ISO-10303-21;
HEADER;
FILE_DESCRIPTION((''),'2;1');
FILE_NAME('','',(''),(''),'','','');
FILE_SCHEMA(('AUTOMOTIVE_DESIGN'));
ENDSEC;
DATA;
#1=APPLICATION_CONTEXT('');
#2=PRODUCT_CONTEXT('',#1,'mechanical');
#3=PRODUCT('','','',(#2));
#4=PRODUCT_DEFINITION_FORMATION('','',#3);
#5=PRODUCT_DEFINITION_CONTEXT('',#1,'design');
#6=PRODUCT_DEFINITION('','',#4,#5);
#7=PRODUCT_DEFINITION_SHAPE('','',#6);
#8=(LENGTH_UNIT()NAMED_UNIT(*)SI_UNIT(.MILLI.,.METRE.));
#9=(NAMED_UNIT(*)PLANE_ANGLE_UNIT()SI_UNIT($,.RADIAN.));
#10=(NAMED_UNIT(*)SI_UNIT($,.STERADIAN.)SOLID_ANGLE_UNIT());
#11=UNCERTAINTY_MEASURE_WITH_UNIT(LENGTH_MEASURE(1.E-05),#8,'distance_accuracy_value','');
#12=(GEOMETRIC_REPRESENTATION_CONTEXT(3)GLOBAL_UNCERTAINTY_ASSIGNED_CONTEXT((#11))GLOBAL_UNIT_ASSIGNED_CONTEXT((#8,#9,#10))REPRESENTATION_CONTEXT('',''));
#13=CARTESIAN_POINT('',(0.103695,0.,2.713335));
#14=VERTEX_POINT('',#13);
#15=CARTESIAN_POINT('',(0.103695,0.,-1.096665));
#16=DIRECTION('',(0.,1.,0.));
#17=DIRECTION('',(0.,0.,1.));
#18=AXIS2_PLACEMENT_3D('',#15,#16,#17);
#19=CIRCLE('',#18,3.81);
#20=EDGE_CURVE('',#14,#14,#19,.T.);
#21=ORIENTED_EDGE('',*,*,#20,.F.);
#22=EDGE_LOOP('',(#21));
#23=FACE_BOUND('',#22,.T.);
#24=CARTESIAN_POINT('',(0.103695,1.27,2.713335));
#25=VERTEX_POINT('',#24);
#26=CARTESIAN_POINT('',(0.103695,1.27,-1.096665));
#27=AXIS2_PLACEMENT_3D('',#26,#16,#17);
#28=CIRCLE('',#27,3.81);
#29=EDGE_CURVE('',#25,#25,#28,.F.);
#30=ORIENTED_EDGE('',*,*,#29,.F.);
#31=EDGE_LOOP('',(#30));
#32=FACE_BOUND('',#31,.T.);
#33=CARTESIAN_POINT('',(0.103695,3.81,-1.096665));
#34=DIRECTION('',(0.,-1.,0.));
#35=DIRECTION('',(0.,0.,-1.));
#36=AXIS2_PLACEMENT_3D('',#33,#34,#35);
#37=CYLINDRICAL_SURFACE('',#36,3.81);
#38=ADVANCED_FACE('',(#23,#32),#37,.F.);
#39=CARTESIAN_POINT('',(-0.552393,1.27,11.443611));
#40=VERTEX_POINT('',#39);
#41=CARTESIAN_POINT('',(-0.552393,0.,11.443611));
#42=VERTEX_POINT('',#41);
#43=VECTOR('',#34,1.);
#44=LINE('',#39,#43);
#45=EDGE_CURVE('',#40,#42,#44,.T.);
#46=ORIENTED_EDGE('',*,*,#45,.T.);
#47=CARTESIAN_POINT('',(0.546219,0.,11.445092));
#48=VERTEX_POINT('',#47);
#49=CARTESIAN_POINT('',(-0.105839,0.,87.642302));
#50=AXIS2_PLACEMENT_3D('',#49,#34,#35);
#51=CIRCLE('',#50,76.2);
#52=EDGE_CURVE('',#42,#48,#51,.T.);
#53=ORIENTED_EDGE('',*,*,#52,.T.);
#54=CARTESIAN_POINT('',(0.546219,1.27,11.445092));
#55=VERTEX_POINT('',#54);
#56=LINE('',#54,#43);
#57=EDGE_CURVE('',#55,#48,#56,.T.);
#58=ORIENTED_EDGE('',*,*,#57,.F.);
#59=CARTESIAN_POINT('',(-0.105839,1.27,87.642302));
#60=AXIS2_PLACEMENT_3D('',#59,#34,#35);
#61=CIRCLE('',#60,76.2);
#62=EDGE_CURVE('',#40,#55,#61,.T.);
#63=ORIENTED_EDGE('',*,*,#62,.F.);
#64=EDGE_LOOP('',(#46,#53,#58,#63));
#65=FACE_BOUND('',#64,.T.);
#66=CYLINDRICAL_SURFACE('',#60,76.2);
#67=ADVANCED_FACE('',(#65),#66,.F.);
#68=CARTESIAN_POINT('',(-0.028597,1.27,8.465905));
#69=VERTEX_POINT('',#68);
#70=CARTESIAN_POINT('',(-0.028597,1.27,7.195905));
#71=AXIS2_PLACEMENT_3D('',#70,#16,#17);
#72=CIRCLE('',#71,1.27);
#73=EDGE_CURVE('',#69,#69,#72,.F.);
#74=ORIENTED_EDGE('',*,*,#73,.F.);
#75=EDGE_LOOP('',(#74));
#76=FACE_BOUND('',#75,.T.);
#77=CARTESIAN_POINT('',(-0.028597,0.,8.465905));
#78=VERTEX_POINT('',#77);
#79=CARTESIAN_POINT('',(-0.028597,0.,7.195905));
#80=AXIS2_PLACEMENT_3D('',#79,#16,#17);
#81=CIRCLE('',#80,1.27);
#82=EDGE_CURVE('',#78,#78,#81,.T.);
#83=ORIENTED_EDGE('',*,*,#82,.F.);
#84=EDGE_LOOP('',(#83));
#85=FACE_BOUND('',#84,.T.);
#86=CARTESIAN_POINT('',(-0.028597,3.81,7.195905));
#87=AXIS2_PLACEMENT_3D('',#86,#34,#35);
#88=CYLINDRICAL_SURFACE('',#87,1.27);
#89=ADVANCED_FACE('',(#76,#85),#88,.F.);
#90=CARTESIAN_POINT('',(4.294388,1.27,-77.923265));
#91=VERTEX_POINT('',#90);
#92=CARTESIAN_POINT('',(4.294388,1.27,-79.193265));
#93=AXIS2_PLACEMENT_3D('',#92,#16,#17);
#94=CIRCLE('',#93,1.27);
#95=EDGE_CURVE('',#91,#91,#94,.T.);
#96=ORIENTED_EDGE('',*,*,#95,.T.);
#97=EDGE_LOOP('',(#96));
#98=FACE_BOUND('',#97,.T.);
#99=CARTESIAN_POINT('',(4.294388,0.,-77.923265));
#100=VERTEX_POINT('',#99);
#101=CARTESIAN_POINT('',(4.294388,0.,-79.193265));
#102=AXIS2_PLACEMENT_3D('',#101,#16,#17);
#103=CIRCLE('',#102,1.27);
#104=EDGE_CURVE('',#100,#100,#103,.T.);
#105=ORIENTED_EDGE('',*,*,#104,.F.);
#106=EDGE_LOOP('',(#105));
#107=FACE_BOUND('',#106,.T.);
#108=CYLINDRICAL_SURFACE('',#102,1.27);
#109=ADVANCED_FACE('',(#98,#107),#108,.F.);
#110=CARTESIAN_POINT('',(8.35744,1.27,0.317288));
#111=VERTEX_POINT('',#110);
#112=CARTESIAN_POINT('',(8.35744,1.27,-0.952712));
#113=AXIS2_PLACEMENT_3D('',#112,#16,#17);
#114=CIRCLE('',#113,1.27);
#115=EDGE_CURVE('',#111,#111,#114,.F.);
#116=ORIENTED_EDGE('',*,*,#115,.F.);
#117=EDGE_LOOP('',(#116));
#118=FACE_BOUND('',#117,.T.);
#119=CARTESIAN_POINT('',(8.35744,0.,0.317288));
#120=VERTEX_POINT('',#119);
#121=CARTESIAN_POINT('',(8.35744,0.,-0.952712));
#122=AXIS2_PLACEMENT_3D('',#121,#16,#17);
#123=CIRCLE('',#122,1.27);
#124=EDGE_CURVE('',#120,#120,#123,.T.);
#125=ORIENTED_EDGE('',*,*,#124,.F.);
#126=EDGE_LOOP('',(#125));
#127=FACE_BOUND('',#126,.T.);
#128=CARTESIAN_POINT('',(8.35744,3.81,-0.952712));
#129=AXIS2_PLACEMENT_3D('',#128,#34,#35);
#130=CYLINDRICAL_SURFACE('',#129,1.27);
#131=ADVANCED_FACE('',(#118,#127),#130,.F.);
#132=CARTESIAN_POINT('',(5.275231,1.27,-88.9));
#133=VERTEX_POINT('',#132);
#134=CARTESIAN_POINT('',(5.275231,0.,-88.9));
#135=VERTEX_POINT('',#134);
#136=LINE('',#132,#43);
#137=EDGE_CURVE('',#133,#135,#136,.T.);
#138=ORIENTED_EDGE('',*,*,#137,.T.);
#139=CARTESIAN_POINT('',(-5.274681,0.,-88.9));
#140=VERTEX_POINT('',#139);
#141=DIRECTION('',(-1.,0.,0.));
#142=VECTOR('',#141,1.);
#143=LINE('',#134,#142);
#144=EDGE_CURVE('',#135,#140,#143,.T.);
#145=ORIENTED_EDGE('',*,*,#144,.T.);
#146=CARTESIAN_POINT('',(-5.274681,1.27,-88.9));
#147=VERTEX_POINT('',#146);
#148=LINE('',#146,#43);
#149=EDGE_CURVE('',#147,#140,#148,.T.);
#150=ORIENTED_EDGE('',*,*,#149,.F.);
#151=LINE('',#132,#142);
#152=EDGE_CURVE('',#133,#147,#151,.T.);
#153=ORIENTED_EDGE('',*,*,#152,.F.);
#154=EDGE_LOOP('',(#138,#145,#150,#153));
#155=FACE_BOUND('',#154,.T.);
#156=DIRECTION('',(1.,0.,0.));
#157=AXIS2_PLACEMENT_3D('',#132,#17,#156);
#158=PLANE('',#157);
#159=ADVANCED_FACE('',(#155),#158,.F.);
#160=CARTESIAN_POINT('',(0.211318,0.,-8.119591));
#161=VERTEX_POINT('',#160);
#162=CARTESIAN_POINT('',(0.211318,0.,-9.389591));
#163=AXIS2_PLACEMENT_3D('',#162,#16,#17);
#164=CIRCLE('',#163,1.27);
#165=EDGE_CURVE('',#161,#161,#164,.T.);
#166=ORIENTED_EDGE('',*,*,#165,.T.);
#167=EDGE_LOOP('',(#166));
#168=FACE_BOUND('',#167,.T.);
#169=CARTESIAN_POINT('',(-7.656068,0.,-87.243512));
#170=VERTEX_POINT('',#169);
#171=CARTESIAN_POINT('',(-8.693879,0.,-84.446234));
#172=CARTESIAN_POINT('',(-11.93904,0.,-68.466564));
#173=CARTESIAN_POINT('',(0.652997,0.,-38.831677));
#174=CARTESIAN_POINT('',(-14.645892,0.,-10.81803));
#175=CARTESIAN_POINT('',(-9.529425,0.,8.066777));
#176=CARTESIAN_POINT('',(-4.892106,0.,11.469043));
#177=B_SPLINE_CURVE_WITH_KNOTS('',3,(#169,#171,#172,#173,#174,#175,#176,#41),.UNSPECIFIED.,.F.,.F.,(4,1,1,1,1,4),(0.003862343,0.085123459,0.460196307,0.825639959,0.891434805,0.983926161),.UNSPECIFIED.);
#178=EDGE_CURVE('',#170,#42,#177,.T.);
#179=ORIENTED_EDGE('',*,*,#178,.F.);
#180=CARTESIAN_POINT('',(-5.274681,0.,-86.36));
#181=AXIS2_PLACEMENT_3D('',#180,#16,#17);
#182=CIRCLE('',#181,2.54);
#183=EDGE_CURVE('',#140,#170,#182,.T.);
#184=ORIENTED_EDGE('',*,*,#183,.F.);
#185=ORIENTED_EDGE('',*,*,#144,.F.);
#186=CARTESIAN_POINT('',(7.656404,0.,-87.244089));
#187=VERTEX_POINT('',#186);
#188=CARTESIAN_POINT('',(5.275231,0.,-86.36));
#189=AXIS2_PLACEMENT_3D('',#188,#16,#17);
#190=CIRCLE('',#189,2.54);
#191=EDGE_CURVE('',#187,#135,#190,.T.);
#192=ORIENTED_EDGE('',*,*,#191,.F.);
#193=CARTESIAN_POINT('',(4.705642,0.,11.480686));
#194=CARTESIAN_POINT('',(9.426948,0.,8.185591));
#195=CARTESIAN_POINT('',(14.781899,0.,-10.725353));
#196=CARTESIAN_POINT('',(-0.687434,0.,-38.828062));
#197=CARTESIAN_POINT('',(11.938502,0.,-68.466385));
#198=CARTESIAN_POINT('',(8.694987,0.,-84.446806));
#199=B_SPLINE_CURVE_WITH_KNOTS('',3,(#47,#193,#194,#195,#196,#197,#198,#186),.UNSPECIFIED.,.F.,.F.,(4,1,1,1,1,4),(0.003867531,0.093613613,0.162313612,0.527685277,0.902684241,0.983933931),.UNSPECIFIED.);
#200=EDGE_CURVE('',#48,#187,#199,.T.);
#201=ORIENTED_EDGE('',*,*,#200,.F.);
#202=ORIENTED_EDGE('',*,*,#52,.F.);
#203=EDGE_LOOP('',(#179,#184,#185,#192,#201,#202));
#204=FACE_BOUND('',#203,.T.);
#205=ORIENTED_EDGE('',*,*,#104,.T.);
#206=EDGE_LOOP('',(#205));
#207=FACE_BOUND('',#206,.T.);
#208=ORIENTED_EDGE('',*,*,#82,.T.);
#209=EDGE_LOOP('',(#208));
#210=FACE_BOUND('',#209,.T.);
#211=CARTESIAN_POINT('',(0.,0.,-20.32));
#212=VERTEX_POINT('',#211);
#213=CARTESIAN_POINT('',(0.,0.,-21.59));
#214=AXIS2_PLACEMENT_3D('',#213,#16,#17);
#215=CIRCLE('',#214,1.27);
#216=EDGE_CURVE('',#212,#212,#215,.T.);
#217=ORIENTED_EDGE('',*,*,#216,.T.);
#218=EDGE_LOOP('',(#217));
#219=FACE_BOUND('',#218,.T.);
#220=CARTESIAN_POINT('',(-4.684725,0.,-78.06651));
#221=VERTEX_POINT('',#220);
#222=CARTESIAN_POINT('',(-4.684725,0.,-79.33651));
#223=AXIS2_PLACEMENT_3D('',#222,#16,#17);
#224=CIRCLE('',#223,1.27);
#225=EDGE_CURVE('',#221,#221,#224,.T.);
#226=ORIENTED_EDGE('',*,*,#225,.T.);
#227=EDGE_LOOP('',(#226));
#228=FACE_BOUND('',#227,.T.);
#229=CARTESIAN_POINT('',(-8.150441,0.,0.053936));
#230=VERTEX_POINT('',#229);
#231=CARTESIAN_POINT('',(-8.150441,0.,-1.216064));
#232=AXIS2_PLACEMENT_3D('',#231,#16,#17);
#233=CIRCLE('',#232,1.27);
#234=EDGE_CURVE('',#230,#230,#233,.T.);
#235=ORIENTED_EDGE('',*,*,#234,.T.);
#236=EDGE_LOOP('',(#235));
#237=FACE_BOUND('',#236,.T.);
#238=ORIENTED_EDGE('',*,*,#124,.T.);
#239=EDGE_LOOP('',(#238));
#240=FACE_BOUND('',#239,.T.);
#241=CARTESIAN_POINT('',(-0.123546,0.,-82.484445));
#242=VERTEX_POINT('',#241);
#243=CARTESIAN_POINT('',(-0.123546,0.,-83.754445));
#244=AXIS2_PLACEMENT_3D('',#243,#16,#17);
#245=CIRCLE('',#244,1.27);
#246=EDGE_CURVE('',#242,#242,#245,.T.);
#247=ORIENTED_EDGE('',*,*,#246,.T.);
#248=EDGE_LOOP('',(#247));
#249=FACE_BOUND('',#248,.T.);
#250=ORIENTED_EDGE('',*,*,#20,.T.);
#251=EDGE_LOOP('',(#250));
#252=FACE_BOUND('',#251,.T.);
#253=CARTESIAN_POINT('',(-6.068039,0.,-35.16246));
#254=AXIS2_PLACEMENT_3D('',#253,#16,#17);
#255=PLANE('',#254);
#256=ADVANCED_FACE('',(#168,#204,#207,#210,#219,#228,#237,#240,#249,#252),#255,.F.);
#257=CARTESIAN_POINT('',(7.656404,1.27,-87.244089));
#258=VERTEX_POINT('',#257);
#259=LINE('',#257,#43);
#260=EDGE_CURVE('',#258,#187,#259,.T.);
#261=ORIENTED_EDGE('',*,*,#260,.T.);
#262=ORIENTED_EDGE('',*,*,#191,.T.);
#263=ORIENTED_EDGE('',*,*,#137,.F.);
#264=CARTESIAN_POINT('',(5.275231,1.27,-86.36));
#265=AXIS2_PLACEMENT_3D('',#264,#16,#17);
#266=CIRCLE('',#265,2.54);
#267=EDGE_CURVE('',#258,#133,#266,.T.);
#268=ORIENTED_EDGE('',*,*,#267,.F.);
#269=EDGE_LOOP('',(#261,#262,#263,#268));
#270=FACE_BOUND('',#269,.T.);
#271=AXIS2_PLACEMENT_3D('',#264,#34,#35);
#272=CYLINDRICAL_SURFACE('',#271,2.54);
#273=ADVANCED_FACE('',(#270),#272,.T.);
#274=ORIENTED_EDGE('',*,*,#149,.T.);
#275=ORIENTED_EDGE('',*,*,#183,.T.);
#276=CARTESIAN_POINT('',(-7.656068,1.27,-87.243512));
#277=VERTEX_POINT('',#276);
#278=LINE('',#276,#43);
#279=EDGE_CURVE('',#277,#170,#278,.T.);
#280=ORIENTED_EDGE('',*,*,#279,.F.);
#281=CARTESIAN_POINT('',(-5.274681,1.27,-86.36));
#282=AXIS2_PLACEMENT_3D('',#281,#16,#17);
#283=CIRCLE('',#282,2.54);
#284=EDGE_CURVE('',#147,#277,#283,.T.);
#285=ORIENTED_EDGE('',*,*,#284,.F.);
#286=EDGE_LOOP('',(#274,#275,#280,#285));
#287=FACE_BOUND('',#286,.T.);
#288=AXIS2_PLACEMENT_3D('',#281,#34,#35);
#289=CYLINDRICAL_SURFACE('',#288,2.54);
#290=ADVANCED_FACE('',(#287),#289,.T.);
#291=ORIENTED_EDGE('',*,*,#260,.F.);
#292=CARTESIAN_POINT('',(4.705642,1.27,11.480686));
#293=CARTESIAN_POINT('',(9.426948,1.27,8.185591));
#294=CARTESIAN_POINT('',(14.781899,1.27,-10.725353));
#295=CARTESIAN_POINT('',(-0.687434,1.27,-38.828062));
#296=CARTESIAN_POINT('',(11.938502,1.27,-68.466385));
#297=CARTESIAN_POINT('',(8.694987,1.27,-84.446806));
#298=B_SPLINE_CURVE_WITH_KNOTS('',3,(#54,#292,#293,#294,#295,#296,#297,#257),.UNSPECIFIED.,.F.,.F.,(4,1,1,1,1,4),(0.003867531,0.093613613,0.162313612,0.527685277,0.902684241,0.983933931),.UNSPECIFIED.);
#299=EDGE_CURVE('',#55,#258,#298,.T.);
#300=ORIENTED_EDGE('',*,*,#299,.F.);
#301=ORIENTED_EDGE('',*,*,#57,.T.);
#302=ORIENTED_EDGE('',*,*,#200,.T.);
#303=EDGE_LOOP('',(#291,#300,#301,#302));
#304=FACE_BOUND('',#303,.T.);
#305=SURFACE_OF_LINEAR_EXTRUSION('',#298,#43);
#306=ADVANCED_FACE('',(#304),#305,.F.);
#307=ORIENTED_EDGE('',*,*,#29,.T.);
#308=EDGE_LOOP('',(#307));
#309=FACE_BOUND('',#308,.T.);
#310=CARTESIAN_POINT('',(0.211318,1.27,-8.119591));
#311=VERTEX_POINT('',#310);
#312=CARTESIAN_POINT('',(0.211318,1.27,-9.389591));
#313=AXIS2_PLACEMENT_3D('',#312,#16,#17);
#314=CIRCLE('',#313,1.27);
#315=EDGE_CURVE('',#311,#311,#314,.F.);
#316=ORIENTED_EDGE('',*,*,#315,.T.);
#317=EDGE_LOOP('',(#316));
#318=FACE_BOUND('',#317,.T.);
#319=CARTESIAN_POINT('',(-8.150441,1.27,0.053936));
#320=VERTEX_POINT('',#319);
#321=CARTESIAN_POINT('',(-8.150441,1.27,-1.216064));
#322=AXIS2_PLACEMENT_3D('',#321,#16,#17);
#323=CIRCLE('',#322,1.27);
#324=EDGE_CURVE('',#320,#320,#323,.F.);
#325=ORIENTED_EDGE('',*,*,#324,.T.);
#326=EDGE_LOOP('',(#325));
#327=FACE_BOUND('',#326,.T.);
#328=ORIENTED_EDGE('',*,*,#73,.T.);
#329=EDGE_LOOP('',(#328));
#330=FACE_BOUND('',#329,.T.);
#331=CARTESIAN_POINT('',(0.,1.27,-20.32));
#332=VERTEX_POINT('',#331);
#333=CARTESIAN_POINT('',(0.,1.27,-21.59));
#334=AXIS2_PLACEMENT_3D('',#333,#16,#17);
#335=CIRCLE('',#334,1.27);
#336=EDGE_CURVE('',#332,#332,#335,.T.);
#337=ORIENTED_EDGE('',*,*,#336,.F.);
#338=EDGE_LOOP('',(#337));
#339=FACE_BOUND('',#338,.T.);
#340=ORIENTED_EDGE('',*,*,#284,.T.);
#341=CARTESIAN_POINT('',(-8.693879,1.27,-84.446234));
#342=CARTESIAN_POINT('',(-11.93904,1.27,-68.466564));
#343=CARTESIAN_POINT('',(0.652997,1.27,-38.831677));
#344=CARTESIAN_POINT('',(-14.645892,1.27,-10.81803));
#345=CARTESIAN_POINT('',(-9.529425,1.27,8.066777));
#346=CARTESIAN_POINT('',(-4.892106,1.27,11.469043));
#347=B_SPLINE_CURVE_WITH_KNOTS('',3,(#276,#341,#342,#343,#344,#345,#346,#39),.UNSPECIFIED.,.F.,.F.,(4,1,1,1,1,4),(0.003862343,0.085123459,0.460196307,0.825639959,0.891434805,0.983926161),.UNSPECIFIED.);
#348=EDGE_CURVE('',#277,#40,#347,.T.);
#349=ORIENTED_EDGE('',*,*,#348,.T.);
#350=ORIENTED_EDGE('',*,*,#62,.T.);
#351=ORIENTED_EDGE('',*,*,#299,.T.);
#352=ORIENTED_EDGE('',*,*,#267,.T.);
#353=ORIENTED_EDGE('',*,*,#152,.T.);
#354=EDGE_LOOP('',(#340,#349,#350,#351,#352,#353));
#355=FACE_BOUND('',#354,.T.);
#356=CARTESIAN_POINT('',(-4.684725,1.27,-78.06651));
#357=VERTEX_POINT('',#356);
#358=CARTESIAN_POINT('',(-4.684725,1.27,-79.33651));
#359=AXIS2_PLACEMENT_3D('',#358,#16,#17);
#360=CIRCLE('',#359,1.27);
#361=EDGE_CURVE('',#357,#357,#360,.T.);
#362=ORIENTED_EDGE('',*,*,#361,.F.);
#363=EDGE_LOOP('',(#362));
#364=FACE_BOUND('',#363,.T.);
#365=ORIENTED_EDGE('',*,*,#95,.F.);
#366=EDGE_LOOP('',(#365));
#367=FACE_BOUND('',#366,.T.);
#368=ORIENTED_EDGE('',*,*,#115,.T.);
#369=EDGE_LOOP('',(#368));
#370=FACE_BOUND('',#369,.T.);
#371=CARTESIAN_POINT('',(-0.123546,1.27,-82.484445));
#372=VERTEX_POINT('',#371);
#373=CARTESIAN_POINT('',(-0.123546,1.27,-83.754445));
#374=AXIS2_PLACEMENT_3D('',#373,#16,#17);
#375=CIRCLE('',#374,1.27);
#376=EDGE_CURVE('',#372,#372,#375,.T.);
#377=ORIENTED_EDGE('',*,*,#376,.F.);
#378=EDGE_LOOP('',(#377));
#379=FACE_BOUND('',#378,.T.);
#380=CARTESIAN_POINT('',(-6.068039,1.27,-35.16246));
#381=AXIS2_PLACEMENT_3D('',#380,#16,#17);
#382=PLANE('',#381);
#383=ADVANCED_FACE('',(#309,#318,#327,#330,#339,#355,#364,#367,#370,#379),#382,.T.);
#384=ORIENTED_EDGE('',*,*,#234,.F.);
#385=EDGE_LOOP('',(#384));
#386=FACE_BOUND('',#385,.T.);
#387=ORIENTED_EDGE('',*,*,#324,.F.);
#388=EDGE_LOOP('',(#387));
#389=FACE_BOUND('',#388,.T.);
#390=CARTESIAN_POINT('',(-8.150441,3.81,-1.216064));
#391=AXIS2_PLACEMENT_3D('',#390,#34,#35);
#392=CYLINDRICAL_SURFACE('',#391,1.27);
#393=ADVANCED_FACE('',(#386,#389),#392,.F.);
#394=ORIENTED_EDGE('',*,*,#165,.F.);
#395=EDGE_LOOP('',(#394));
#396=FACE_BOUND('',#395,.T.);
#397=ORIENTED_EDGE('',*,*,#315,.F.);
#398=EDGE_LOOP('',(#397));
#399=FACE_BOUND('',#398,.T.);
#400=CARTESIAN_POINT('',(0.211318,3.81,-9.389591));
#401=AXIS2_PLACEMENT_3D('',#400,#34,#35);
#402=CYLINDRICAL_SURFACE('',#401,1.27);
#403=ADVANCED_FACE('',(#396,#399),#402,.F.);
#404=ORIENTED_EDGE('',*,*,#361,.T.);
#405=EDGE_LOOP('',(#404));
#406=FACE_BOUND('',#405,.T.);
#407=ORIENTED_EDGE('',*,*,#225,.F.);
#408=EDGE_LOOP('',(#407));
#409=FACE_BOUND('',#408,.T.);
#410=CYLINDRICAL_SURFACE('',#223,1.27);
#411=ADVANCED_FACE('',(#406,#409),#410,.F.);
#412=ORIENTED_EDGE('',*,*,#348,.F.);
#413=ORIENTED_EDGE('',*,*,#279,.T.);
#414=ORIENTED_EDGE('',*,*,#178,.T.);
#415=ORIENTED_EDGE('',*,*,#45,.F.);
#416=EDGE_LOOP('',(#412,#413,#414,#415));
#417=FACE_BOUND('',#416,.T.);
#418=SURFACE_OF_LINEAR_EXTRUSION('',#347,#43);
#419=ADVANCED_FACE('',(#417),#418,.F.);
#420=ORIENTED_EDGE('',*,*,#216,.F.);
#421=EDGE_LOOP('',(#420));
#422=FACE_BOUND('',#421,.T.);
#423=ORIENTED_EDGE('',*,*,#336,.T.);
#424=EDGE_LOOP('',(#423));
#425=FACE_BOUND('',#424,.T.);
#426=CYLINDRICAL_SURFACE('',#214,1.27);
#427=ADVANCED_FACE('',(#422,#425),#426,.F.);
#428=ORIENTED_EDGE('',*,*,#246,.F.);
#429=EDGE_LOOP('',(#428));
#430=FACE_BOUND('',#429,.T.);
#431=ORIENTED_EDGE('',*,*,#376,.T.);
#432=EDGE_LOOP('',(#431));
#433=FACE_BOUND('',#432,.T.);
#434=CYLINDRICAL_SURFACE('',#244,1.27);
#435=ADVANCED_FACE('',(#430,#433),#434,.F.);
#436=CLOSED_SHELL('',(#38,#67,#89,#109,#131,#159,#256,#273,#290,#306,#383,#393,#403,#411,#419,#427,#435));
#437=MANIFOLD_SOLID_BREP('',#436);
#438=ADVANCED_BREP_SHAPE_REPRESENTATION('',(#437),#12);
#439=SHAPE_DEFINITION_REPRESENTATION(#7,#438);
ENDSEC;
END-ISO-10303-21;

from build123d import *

# Parameters (mm, degrees)
BOSS_EXTRUDE2_DEPTH = 1.27
SKETCH2_R           = 1.27
CUT_EXTRUDE1_DEPTH  = 90.688856727
F_3DSKETCH1_R       = 1.27
F_3DSKETCH1_R_2     = 3.81
CUT_EXTRUDE8_DEPTH  = 81.499781524
SKETCH4_R           = 1.27
CUT_EXTRUDE9_DEPTH  = 90.688856727


with BuildPart() as part:
    # Sketch1 → Boss-Extrude2 (new body)
    with BuildSketch(Plane(origin=(0, 0, 0), x_dir=(1, 0, 0), z_dir=(0, 1, 0))):
        with BuildLine():
            Line((5.275230634, 88.9), (-5.274680514, 88.9))
            ThreePointArc((-5.274680514, 88.9), (-6.725107784, 88.445152449), (-7.656067895, 87.24351239))
            add(Edge.make_bspline(
                [(-0.552393074, -11.443610573), (-4.892105519, -11.469042984), (-9.529424716, -8.066777439), (-14.645892482, 10.818030103), (0.652997254, 38.831677118), (-11.939039637, 68.466563532), (-8.693878789, 84.446234394), (-7.656067895, 87.24351239)],
                knots=[0.003862343, 0.003862343, 0.003862343, 0.003862343, 0.0963537, 0.162148545, 0.527592198, 0.902665046, 0.983926161, 0.983926161, 0.983926161, 0.983926161], degree=3))
            ThreePointArc((-0.552393074, -11.443610573), (-0.003084566, -11.442371375), (0.546218602, -11.445092034))
            add(Edge.make_bspline(
                [(0.546218602, -11.445092034), (4.705642382, -11.480686299), (9.426948295, -8.185590673), (14.781899316, 10.725353159), (-0.687433656, 38.828061669), (11.938501934, 68.466384766), (8.694987433, 84.446805864), (7.656404014, 87.244088984)],
                knots=[0.003867531, 0.003867531, 0.003867531, 0.003867531, 0.093613613, 0.162313612, 0.527685277, 0.902684241, 0.983933931, 0.983933931, 0.983933931, 0.983933931], degree=3))
            ThreePointArc((7.656404014, 87.244088984), (6.725405447, 88.445328034), (5.275230634, 88.9))
        make_face()
    extrude(amount=BOSS_EXTRUDE2_DEPTH)

    # Sketch2 → Cut-Extrude1 (cut, through all)
    with BuildSketch(Plane(origin=(0, 1.27, 0), x_dir=(1, 0, 0), z_dir=(0, 1, 0))):
        with Locations(Location((0, 21.59, 0), (0, 0, 270))):
            Circle(SKETCH2_R)
    extrude(amount=-CUT_EXTRUDE1_DEPTH, mode=Mode.SUBTRACT)

    # 3DSketch1 → Cut-Extrude8 (cut, through all)
    with BuildSketch(Plane(origin=(0.211318445, 3.81, -9.389591413), x_dir=(-0.014463883069433763, 0, 0.99989539257192), z_dir=(0, 1, 0))):
        with Locations(Location((0, 0, 0), (0, 0, 0.828748353))):
            Circle(F_3DSKETCH1_R)
        with Locations(Location((8.293615717, -8.242664201, 0), (0, 0, 0.828748353))):
            Circle(F_3DSKETCH1_R)
        with Locations(Location((8.293615717, 0.012335799, 0), (0, 0, 0.828748353))):
            Circle(F_3DSKETCH1_R_2)
        with Locations(Location((8.318172388, 8.267299274, 0), (0, 0, 0.828748353))):
            Circle(F_3DSKETCH1_R)
        with Locations(Location((16.587231434, 0, 0), (0, 0, 0.828748353))):
            Circle(F_3DSKETCH1_R)
    extrude(amount=-CUT_EXTRUDE8_DEPTH, mode=Mode.SUBTRACT)

    # Sketch4 → Cut-Extrude9 (cut, through all)
    with BuildSketch(Plane(origin=(0, 1.27, 0), x_dir=(1, 0, 0), z_dir=(0, 1, 0))):
        with Locations(Location((-4.684725231, 79.336510379, 0), (0, 0, 270))):
            Circle(SKETCH4_R)
        with Locations(Location((-0.123545977, 83.754444717, 0), (0, 0, 270))):
            Circle(SKETCH4_R)
        with Locations(Location((4.294388361, 79.193265463, 0), (0, 0, 270))):
            Circle(SKETCH4_R)
    extrude(amount=-CUT_EXTRUDE9_DEPTH, mode=Mode.SUBTRACT)


solid = part.part
